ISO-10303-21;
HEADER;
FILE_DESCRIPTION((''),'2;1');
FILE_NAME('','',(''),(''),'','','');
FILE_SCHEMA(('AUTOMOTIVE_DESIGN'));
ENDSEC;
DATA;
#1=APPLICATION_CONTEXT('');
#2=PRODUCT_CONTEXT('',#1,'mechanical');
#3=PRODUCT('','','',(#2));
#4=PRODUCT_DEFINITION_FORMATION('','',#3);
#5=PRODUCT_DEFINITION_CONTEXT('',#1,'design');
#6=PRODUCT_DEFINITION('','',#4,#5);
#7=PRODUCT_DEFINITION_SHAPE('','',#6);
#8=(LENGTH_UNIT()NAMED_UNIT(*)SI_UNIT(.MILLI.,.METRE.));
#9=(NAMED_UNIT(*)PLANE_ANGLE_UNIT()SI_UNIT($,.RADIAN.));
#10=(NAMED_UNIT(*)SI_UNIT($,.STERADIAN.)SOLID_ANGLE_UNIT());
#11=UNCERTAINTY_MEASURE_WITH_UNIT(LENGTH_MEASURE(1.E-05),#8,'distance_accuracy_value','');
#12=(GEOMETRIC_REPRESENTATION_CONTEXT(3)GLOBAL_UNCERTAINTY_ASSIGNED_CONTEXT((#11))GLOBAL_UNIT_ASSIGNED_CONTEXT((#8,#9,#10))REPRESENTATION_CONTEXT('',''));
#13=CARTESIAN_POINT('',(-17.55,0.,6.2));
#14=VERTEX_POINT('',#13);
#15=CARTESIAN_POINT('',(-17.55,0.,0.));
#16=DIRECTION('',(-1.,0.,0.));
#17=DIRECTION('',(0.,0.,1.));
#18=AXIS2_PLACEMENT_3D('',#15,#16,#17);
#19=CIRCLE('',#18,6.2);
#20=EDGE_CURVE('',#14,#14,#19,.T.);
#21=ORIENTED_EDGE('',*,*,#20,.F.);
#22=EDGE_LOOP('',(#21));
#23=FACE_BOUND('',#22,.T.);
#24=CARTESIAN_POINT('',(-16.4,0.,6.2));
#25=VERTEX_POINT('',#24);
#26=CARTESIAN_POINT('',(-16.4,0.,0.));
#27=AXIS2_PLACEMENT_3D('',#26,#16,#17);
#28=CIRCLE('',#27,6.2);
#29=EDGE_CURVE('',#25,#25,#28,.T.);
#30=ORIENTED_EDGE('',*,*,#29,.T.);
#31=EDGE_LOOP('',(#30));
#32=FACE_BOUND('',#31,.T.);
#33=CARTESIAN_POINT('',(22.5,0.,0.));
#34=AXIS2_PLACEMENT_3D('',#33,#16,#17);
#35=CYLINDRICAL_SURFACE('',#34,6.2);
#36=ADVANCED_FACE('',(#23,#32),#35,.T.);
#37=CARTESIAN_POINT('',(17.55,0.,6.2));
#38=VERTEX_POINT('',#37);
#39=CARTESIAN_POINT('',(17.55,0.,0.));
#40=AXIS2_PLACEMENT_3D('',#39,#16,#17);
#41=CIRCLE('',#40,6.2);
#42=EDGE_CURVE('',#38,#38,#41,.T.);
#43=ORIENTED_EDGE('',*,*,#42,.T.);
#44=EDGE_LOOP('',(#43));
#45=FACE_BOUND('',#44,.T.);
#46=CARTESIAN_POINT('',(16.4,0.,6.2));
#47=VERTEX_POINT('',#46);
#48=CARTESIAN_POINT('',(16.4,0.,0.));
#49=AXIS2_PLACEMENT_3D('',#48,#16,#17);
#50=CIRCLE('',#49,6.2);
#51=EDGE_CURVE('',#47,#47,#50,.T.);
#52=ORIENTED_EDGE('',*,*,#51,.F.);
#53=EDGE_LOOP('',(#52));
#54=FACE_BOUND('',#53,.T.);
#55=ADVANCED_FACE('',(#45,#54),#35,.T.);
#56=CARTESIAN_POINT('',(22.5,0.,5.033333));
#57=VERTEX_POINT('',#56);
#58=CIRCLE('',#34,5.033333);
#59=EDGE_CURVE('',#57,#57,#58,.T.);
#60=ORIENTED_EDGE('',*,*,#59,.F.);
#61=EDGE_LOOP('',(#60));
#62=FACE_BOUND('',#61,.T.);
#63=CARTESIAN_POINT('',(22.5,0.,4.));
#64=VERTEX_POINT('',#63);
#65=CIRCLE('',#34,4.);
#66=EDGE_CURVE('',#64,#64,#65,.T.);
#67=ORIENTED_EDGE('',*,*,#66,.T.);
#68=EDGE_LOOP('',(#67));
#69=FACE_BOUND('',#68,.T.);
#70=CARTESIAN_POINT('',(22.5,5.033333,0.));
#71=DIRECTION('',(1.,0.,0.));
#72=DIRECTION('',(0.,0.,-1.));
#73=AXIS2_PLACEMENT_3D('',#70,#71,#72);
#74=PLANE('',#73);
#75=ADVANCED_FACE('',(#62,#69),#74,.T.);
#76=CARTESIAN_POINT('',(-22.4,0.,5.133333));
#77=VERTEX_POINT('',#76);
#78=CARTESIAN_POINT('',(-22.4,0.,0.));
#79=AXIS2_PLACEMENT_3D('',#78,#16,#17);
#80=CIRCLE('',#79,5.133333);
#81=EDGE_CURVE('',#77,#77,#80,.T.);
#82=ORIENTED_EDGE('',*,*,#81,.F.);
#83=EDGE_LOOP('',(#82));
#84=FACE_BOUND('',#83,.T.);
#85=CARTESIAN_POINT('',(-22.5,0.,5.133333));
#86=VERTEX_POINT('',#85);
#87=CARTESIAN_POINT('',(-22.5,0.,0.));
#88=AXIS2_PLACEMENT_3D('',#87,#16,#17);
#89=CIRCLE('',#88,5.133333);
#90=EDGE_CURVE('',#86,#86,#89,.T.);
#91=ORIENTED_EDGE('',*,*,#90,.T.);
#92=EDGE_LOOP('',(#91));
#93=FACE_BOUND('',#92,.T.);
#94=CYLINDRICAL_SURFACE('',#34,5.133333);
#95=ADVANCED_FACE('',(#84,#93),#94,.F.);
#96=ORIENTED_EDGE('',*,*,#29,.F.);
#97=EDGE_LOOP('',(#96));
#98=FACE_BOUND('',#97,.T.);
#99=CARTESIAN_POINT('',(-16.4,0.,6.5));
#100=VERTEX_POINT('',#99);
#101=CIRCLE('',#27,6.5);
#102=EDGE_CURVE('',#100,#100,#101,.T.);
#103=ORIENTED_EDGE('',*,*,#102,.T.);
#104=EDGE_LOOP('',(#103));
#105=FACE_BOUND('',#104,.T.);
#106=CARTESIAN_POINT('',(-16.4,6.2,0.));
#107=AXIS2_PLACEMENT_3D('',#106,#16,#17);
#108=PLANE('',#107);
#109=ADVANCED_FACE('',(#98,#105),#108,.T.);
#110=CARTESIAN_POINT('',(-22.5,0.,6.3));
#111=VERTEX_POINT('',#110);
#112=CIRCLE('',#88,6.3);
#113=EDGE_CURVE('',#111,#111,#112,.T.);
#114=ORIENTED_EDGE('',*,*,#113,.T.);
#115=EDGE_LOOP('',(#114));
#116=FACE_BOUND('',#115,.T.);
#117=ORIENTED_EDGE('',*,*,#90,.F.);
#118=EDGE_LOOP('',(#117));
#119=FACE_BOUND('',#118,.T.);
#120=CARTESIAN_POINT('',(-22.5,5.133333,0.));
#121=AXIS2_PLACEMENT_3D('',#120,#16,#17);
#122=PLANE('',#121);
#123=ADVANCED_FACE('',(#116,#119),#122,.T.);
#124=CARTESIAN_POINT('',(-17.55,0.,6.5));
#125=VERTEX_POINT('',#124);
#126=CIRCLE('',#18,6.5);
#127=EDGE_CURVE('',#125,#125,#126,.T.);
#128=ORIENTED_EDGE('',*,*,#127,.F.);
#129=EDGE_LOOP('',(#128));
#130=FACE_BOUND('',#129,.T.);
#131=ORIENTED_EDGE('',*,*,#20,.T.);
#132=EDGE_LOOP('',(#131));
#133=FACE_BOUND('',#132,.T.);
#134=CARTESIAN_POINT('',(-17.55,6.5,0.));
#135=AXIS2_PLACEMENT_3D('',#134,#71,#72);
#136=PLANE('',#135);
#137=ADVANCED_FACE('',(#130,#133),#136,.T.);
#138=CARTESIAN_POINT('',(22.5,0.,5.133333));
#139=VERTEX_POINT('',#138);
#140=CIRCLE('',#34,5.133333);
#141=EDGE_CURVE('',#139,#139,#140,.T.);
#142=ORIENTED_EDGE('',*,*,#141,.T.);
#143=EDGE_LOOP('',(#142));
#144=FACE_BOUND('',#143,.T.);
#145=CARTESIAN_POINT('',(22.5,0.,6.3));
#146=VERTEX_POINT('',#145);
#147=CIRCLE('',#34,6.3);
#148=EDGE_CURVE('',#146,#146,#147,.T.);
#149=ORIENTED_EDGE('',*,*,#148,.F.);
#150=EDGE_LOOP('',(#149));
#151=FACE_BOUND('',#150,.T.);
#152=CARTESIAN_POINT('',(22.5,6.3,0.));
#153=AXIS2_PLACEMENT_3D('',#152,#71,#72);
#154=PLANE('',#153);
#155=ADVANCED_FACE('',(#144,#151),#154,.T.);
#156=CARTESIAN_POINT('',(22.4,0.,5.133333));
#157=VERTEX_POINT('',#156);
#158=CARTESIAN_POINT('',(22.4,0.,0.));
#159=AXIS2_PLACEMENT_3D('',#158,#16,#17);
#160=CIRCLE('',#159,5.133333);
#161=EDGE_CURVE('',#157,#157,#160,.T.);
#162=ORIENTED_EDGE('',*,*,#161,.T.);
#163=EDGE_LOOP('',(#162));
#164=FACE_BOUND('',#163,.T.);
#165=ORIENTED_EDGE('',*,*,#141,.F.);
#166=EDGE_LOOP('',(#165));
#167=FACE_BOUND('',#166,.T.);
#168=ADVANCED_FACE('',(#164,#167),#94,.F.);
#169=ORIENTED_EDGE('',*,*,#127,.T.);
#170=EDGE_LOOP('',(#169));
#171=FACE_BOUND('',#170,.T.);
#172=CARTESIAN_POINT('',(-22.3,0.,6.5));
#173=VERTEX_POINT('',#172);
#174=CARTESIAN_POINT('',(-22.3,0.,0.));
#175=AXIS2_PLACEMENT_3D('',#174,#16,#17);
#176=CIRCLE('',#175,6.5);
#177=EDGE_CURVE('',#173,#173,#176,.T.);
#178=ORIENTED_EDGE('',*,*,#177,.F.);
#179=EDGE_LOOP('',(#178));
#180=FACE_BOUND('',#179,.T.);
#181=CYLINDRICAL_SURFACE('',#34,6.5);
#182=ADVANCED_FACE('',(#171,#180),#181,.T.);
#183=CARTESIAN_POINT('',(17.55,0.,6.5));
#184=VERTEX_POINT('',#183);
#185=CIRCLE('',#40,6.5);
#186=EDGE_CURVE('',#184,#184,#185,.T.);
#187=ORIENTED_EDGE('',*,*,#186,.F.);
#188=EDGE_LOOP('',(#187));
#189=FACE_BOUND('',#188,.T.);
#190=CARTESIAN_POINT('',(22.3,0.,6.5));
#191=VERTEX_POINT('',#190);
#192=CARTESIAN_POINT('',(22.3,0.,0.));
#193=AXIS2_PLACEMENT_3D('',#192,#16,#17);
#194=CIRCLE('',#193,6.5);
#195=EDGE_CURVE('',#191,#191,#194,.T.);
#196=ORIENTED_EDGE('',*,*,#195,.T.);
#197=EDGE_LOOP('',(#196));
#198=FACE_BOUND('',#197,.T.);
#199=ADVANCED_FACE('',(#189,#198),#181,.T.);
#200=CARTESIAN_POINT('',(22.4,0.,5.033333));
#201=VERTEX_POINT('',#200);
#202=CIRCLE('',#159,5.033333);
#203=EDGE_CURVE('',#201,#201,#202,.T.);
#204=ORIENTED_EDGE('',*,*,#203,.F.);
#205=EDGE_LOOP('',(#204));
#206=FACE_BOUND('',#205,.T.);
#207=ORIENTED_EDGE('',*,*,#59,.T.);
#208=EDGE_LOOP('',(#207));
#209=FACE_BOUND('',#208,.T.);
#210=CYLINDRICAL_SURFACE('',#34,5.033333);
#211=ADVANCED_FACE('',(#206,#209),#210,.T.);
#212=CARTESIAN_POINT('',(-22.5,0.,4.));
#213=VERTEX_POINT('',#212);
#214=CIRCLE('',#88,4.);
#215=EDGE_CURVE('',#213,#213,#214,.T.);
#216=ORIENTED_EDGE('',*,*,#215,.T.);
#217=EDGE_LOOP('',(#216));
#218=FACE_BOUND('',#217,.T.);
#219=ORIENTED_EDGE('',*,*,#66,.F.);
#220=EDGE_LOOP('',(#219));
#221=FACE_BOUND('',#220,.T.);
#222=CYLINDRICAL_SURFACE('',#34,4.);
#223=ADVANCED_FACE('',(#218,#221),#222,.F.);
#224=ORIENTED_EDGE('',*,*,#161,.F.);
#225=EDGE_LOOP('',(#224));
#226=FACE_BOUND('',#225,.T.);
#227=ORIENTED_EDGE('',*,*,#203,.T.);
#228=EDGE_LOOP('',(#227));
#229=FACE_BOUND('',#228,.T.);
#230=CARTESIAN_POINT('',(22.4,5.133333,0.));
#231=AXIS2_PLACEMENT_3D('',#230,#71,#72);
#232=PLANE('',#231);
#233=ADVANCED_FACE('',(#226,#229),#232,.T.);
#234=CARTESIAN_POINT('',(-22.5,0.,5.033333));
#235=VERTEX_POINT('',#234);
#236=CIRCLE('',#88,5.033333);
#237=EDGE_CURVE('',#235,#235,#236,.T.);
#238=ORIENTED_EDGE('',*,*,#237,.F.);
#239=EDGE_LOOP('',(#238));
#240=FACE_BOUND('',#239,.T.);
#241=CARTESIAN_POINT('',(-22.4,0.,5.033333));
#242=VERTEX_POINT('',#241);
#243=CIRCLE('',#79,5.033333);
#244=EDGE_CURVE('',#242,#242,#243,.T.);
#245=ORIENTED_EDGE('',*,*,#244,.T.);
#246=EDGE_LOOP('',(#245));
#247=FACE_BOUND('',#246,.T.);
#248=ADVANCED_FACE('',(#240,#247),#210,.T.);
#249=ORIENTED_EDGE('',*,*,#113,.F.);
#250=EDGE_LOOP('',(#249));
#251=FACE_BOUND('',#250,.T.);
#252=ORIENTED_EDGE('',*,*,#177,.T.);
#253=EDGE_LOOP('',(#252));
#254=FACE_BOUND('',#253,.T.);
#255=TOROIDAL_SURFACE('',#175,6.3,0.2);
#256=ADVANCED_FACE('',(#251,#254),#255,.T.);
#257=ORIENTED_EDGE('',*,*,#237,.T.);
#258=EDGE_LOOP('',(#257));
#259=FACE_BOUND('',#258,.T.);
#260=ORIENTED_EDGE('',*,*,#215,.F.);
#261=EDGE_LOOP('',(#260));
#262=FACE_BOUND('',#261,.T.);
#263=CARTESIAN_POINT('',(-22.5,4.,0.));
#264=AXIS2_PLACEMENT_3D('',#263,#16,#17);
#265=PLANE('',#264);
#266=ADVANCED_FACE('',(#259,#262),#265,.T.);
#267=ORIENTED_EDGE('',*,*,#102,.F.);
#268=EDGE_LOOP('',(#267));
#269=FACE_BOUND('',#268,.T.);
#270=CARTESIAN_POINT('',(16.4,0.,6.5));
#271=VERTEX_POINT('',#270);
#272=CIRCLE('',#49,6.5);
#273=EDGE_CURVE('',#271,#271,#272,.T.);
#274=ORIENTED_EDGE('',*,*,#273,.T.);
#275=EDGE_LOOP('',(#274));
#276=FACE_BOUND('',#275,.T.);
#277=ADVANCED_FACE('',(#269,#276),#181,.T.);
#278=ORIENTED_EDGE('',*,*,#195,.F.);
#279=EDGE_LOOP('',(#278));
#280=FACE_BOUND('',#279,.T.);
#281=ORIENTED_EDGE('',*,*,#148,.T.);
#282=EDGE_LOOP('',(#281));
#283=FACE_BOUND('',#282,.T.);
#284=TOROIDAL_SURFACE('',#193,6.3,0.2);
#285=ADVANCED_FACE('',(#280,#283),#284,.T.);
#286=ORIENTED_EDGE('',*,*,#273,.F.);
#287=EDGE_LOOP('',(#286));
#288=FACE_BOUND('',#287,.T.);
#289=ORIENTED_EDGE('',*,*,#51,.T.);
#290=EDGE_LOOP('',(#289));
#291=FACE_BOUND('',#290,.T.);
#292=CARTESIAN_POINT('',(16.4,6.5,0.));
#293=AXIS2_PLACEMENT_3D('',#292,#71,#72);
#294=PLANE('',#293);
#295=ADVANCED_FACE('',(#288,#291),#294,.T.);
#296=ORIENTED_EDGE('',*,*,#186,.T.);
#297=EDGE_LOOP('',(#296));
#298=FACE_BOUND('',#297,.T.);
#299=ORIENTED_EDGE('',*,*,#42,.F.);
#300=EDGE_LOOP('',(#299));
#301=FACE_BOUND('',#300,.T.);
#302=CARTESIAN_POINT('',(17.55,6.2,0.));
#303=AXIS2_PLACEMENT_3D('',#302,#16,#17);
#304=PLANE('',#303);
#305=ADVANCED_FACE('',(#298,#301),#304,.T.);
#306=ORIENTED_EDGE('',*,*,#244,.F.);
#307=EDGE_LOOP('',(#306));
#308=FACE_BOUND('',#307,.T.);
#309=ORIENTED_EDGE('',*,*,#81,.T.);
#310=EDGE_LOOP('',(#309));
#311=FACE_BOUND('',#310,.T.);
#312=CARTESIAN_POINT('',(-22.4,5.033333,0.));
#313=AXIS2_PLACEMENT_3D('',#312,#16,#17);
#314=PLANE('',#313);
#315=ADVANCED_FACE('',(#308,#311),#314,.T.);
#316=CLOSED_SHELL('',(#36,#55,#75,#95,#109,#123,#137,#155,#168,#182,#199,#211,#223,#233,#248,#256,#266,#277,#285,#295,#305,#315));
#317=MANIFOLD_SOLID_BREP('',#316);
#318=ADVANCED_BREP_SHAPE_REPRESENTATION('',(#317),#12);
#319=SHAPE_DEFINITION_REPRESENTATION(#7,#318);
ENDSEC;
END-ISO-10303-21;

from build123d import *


with BuildPart() as part:
    # Sketch1 → Revolve1 (revolve)
    with BuildSketch(Plane(origin=(0, 0, 0), x_dir=(-1, 0, 0), z_dir=(0, 0, -1))):
        with BuildLine():
            Line((-22.4, 5.033333333), (-22.5, 5.033333333))
            Line((-22.5, 5.033333333), (-22.5, 4))
            Line((-22.5, 4), (22.5, 4))
            Line((22.5, 4), (22.5, 5.033333333))
            Line((22.5, 5.033333333), (22.4, 5.033333333))
            Line((22.4, 5.033333333), (22.4, 5.133333333))
            Line((22.4, 5.133333333), (22.5, 5.133333333))
            Line((22.5, 5.133333333), (22.5, 6.3))
            ThreePointArc((22.5, 6.3), (22.441421356, 6.441421356), (22.3, 6.5))
            Line((22.3, 6.5), (17.55, 6.5))
            Line((17.55, 6.5), (17.55, 6.2))
            Line((17.55, 6.2), (16.4, 6.2))
            Line((16.4, 6.2), (16.4, 6.5))
            Line((16.4, 6.5), (-16.4, 6.5))
            Line((-16.4, 6.5), (-16.4, 6.2))
            Line((-16.4, 6.2), (-17.55, 6.2))
            Line((-17.55, 6.2), (-17.55, 6.5))
            Line((-17.55, 6.5), (-22.3, 6.5))
            ThreePointArc((-22.3, 6.5), (-22.441421356, 6.441421356), (-22.5, 6.3))
            Line((-22.5, 6.3), (-22.5, 5.133333333))
            Line((-22.5, 5.133333333), (-22.4, 5.133333333))
            Line((-22.4, 5.133333333), (-22.4, 5.033333333))
        make_face()
    revolve(axis=Axis((22.5, 0, 0), (-1, 0, 0)))


solid = part.part
